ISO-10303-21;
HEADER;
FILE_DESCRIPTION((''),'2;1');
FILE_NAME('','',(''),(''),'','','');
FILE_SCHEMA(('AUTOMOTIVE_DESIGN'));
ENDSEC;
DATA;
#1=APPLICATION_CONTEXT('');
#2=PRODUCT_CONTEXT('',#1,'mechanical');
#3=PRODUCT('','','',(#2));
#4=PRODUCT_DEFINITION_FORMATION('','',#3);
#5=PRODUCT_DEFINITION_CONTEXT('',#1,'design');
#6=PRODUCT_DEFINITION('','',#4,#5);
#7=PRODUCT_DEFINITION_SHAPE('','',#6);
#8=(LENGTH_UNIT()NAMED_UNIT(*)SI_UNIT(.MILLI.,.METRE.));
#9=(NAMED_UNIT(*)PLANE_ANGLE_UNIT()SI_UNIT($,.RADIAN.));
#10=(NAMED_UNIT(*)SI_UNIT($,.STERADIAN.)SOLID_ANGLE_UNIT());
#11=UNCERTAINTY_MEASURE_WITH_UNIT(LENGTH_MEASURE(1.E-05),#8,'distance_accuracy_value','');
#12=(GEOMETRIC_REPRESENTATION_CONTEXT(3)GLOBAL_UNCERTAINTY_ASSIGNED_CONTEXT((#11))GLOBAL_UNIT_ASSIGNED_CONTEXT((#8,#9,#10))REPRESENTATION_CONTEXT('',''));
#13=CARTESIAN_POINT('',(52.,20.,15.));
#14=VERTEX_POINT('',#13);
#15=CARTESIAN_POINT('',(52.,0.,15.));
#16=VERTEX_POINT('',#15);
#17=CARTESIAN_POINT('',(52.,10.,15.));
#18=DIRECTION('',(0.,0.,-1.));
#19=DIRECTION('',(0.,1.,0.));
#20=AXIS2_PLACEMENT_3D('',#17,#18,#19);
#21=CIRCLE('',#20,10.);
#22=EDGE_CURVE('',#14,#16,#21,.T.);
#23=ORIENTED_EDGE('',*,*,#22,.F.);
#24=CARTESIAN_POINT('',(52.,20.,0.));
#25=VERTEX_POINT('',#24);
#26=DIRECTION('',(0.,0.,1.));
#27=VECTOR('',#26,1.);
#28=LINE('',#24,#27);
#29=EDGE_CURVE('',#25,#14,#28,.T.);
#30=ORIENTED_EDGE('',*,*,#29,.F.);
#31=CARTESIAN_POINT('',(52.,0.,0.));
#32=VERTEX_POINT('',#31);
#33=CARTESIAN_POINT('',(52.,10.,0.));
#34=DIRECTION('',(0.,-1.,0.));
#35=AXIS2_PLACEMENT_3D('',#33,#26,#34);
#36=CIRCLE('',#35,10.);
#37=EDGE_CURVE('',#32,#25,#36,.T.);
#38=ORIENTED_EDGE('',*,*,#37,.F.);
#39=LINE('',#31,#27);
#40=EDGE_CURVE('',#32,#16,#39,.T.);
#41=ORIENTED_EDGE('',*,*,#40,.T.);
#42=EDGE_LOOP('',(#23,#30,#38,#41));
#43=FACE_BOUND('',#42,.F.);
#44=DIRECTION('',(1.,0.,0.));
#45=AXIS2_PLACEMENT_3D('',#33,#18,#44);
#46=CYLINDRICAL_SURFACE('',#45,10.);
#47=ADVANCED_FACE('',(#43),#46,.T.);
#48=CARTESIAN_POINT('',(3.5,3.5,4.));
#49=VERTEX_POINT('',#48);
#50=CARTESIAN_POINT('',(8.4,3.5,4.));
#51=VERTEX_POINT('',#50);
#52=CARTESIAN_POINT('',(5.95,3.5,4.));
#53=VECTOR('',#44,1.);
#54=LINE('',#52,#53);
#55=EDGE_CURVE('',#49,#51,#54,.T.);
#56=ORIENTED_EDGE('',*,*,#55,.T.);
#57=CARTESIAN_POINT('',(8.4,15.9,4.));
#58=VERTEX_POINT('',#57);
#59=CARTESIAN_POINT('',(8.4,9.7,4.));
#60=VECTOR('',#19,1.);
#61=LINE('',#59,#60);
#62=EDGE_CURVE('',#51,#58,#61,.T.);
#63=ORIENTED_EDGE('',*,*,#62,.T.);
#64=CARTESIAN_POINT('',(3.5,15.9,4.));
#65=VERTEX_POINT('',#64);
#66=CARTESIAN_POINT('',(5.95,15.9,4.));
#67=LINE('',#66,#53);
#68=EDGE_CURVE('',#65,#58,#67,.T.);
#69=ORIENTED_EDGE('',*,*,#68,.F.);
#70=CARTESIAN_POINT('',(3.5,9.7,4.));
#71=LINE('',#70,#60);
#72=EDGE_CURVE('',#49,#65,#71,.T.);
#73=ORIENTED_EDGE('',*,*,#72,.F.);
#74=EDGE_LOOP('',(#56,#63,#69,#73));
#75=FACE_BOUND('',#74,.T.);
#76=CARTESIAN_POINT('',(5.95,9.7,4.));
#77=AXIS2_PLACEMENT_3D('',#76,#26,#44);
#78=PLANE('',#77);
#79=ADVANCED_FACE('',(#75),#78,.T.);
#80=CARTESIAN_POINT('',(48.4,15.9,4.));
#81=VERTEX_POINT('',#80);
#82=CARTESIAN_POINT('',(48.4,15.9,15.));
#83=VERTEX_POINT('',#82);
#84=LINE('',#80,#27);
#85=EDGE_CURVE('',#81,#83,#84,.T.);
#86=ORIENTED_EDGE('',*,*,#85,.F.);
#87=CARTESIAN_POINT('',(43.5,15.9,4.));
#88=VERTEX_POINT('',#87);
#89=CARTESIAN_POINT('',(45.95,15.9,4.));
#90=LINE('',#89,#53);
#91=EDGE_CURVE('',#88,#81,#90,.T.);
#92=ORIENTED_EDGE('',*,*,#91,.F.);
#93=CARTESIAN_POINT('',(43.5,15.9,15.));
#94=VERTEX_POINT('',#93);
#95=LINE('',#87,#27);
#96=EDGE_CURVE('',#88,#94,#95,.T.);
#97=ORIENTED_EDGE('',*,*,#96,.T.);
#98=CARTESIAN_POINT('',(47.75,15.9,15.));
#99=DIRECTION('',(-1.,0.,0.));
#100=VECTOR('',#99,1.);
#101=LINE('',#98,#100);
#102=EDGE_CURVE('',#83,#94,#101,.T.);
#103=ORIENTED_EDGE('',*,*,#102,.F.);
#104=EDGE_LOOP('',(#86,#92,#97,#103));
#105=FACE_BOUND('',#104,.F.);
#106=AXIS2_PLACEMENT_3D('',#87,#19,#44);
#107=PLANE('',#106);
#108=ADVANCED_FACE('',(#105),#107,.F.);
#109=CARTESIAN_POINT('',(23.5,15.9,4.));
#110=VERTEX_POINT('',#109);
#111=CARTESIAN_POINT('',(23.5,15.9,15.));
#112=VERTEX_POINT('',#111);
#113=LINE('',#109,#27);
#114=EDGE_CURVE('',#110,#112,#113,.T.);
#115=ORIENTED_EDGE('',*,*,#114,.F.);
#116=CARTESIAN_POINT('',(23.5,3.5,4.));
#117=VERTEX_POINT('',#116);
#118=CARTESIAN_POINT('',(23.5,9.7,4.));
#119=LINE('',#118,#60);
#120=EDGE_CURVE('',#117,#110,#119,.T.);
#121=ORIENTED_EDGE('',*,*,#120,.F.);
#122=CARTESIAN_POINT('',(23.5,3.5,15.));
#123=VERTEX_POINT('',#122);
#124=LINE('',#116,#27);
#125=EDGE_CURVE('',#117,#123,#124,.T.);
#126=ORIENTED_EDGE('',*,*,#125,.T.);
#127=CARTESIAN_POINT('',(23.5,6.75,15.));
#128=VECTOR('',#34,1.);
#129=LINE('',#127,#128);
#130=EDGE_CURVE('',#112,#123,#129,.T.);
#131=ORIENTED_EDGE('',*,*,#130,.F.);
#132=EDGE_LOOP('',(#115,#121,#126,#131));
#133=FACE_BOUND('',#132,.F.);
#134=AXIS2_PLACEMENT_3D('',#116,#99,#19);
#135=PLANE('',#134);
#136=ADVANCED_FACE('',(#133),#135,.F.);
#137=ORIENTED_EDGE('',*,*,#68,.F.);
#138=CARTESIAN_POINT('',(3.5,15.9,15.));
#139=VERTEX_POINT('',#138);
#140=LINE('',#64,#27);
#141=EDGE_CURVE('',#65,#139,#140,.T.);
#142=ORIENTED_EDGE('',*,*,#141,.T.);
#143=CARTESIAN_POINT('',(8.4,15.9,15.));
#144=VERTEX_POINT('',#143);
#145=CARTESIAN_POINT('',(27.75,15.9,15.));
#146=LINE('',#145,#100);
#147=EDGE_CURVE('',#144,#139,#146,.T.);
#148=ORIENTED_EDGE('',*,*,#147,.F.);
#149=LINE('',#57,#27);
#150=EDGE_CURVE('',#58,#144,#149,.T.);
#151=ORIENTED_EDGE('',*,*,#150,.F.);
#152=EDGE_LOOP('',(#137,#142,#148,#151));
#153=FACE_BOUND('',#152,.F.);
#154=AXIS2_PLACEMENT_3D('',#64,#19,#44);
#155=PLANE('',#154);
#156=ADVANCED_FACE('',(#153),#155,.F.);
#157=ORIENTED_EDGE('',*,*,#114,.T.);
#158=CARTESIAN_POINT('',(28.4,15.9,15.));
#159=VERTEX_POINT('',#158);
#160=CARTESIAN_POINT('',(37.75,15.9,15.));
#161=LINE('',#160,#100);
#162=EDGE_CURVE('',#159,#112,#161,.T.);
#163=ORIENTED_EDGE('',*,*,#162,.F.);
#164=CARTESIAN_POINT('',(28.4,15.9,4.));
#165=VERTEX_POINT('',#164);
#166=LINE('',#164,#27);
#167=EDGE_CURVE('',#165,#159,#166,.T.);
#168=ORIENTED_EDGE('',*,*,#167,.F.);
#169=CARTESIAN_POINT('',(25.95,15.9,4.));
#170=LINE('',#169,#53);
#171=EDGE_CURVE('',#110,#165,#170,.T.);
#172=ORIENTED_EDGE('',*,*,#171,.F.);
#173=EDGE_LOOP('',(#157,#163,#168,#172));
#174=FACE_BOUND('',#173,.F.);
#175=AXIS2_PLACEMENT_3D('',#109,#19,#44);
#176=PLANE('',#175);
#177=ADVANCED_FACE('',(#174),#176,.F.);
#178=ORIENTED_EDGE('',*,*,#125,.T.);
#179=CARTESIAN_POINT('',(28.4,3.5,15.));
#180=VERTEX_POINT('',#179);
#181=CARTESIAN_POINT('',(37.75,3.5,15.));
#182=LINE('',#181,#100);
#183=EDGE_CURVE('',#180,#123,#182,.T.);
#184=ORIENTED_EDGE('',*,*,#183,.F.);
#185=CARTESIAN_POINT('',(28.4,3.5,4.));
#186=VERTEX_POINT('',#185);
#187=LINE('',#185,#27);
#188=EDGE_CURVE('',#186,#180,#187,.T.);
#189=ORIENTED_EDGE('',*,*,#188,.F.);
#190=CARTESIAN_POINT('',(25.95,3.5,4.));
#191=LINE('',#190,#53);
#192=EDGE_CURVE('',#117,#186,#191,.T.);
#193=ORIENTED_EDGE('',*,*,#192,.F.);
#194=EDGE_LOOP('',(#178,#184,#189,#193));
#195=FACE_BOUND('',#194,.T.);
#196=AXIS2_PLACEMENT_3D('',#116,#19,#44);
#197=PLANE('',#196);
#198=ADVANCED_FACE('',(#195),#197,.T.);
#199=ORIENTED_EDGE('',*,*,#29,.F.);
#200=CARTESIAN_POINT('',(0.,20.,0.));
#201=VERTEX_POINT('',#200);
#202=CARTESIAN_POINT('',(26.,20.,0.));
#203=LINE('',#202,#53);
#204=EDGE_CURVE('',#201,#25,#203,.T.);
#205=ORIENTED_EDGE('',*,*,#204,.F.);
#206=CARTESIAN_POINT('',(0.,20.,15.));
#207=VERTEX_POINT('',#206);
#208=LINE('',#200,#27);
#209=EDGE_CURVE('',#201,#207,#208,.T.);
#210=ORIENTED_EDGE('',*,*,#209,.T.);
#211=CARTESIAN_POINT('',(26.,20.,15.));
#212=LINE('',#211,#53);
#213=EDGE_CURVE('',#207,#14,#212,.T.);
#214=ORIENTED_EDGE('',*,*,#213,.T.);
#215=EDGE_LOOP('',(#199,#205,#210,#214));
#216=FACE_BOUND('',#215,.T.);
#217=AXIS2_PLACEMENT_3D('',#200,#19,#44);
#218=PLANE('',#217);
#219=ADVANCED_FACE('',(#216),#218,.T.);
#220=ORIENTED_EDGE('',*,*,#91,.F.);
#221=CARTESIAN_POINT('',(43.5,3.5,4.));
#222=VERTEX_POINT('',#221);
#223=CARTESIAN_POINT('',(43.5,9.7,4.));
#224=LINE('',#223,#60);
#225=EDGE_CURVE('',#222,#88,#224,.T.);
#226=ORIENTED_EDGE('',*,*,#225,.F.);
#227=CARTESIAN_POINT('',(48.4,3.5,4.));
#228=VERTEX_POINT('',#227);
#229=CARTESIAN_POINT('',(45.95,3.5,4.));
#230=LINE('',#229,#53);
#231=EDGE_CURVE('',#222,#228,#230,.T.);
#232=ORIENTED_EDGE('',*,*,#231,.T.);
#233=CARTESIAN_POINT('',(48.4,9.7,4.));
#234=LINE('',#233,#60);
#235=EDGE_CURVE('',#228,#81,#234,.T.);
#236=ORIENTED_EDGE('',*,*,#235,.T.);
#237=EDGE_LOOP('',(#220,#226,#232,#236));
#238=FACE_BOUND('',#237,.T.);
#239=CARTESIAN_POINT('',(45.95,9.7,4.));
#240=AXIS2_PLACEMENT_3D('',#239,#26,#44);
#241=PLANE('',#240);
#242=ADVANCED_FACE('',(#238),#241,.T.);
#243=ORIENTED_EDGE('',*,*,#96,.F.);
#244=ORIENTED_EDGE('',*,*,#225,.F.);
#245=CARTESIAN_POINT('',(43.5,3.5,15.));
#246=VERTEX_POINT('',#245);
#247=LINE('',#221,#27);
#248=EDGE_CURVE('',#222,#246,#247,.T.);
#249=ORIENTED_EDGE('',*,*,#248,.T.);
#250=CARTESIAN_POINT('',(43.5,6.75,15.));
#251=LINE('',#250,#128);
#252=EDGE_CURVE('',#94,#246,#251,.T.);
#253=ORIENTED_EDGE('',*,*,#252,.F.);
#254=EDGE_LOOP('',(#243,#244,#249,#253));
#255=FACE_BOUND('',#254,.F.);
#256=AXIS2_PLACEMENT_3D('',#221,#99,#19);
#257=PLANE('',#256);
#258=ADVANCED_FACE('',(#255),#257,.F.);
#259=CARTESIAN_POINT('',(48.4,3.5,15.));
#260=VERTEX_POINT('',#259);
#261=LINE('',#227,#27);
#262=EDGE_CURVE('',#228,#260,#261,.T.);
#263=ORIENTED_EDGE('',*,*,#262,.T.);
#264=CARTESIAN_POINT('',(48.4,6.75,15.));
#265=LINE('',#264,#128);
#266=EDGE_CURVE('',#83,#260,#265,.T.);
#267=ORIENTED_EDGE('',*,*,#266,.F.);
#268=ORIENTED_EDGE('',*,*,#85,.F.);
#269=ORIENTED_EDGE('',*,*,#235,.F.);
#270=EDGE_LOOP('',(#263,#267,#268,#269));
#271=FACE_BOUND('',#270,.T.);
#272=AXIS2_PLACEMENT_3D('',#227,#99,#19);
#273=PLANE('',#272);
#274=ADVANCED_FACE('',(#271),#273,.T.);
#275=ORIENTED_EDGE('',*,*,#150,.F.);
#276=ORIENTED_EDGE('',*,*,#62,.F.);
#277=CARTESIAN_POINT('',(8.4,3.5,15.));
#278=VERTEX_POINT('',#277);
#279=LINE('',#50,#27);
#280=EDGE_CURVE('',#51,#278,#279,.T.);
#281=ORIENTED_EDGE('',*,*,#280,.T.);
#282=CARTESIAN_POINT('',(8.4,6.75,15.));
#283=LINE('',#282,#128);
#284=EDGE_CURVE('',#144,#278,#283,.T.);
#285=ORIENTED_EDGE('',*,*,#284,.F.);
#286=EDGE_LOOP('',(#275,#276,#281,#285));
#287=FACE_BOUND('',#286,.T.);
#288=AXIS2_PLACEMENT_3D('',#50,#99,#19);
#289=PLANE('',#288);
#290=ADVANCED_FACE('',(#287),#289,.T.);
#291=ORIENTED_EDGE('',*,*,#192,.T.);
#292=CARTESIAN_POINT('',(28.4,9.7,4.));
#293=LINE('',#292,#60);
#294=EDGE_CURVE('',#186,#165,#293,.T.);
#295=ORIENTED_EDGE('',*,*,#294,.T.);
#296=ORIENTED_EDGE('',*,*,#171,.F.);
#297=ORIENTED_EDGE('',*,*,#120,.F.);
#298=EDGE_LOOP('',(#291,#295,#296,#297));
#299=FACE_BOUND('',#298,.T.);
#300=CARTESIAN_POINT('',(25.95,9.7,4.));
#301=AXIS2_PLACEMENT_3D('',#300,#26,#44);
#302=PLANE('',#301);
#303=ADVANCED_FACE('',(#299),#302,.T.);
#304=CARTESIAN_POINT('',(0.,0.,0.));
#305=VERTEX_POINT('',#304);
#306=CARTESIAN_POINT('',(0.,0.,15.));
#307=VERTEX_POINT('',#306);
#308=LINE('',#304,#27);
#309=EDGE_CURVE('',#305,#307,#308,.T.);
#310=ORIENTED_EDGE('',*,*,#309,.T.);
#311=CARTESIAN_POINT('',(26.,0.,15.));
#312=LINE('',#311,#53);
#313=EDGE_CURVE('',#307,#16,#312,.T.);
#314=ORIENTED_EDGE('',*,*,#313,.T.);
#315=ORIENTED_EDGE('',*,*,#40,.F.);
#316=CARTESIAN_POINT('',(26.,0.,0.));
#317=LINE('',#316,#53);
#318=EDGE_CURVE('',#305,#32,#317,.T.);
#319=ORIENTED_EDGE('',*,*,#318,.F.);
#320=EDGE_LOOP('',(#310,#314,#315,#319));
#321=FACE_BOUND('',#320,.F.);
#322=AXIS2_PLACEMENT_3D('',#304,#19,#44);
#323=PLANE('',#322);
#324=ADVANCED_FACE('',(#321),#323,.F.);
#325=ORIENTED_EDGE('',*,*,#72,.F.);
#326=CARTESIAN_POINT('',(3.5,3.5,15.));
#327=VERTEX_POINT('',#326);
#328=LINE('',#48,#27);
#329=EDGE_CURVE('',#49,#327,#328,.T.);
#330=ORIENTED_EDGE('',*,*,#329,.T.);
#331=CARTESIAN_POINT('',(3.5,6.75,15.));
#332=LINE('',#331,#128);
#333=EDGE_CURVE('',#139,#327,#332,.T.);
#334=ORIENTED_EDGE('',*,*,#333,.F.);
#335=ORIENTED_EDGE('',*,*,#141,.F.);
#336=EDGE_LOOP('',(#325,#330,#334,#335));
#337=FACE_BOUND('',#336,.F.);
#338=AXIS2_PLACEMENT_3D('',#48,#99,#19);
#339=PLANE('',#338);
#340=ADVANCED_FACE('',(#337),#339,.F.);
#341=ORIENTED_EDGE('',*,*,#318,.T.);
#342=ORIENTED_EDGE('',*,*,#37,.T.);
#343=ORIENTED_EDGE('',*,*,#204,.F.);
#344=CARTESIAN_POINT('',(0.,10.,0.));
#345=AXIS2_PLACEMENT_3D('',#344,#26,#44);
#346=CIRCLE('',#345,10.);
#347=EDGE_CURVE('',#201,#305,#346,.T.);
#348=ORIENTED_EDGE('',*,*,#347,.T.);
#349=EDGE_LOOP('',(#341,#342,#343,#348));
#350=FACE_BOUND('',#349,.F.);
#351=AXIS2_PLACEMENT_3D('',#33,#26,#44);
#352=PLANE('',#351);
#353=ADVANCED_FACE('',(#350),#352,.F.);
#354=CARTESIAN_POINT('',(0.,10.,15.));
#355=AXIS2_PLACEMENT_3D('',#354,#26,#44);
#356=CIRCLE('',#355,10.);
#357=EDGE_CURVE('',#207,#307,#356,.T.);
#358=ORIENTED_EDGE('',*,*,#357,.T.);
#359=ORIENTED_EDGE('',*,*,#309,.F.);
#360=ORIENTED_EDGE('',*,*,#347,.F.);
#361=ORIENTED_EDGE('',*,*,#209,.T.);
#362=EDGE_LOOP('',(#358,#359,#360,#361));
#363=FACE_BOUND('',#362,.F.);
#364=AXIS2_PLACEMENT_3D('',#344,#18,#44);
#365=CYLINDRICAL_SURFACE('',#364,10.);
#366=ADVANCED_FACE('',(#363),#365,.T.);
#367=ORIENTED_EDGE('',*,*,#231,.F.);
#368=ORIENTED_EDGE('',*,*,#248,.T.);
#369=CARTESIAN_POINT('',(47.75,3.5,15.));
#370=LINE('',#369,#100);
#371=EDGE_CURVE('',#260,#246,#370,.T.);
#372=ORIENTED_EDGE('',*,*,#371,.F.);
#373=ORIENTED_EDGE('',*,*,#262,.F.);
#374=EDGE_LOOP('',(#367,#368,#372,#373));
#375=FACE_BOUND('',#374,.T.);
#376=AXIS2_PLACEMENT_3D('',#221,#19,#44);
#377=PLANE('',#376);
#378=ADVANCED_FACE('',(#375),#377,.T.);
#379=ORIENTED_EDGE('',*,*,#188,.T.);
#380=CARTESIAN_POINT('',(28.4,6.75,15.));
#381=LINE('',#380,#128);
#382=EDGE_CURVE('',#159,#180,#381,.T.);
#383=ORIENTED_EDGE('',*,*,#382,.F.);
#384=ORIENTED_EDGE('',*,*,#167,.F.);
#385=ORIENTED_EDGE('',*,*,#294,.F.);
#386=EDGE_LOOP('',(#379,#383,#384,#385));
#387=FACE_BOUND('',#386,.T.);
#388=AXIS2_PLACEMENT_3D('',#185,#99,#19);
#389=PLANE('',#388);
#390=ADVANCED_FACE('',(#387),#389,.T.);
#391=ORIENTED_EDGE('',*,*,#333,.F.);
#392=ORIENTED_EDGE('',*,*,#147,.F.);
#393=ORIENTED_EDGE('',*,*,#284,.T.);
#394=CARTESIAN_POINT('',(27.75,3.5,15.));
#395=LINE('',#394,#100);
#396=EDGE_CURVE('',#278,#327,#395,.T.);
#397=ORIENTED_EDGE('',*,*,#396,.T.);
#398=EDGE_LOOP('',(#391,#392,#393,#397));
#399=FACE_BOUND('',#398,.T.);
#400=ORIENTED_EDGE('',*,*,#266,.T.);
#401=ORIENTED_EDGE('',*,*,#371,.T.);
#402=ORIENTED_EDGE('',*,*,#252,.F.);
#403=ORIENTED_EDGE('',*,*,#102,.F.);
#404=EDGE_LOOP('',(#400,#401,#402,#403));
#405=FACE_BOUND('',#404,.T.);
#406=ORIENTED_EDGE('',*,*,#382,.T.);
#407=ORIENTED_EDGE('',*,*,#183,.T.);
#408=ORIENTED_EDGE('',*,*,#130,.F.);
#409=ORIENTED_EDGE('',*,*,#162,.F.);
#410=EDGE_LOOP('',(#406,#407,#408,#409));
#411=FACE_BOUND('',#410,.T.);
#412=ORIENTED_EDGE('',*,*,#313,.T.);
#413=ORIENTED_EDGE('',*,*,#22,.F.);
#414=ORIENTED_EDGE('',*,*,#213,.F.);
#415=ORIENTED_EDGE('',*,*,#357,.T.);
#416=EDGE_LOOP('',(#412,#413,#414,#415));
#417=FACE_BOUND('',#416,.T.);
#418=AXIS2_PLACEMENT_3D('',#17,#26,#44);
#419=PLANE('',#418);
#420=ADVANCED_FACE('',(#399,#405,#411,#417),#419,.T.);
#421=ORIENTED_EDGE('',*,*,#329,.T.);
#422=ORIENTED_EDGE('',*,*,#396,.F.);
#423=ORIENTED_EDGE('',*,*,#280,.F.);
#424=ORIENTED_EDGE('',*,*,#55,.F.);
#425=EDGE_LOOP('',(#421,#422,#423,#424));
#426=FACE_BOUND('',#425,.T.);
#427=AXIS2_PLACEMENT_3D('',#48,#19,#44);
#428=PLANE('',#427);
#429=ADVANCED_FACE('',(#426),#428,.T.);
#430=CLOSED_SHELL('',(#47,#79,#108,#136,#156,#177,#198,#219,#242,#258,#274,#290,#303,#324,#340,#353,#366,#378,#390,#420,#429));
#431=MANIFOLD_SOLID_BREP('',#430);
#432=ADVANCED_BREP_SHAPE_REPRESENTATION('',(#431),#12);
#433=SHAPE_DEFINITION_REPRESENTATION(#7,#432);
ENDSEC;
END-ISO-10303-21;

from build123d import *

# Parameters (mm, degrees)
BOX003_W          = 4.9
BOX003_H          = 12.4
BOX003_DEPTH      = 20
BOX002_W          = 4.9
BOX002_H          = 12.4
BOX002_DEPTH      = 20
BOX001_W          = 4.9
BOX001_H          = 12.4
BOX001_DEPTH      = 20
CYLINDER_R        = 10
CYLINDER_DEPTH    = 15
CYLINDER001_R     = 10
CYLINDER001_DEPTH = 15
BOX_W             = 52
BOX_H             = 20
BOX_DEPTH         = 15


with BuildPart() as slot003:
    # Box003 → Box003 (new body)
    with BuildSketch(Plane(origin=(43.5, 3.5, 4), x_dir=(1, 0, 0), z_dir=(0, 0, 1))):
        with Locations((2.45, 6.2)):
            Rectangle(BOX003_W, BOX003_H)
    extrude(amount=BOX003_DEPTH)


with BuildPart() as slot002:
    # Box002 → Box002 (new body)
    with BuildSketch(Plane(origin=(23.5, 3.5, 4), x_dir=(1, 0, 0), z_dir=(0, 0, 1))):
        with Locations((2.45, 6.2)):
            Rectangle(BOX002_W, BOX002_H)
    extrude(amount=BOX002_DEPTH)


with BuildPart() as slots:
    # Box001 → Box001 (new body)
    with BuildSketch(Plane(origin=(3.5, 3.5, 4), x_dir=(1, 0, 0), z_dir=(0, 0, 1))):
        with Locations((2.45, 6.2)):
            Rectangle(BOX001_W, BOX001_H)
    extrude(amount=BOX001_DEPTH)

    # Fusion: union slot003, slot002
    add(slot003.part)
    add(slot002.part)


with BuildPart() as cilindro:
    # Cylinder → Cylinder (new body)
    with BuildSketch(Plane(origin=(0, 10, 0), x_dir=(1, 0, 0), z_dir=(0, 0, 1))):
        Circle(CYLINDER_R)
    extrude(amount=CYLINDER_DEPTH)


with BuildPart() as cilindro001:
    # Cylinder001 → Cylinder001 (new body)
    with BuildSketch(Plane(origin=(52, 10, 0), x_dir=(1, 0, 0), z_dir=(0, 0, 1))):
        Circle(CYLINDER001_R)
    extrude(amount=CYLINDER001_DEPTH)


with BuildPart() as cut:
    # Box → Box (new body)
    with BuildSketch(Plane.XY):
        with Locations((26, 10)):
            Rectangle(BOX_W, BOX_H)
    extrude(amount=BOX_DEPTH)

    # Fusion001: union Cilindro, Cilindro001
    add(cilindro.part)
    add(cilindro001.part)

    # Cut: cut slots
    add(slots.part, mode=Mode.SUBTRACT)


solid = cut.part
